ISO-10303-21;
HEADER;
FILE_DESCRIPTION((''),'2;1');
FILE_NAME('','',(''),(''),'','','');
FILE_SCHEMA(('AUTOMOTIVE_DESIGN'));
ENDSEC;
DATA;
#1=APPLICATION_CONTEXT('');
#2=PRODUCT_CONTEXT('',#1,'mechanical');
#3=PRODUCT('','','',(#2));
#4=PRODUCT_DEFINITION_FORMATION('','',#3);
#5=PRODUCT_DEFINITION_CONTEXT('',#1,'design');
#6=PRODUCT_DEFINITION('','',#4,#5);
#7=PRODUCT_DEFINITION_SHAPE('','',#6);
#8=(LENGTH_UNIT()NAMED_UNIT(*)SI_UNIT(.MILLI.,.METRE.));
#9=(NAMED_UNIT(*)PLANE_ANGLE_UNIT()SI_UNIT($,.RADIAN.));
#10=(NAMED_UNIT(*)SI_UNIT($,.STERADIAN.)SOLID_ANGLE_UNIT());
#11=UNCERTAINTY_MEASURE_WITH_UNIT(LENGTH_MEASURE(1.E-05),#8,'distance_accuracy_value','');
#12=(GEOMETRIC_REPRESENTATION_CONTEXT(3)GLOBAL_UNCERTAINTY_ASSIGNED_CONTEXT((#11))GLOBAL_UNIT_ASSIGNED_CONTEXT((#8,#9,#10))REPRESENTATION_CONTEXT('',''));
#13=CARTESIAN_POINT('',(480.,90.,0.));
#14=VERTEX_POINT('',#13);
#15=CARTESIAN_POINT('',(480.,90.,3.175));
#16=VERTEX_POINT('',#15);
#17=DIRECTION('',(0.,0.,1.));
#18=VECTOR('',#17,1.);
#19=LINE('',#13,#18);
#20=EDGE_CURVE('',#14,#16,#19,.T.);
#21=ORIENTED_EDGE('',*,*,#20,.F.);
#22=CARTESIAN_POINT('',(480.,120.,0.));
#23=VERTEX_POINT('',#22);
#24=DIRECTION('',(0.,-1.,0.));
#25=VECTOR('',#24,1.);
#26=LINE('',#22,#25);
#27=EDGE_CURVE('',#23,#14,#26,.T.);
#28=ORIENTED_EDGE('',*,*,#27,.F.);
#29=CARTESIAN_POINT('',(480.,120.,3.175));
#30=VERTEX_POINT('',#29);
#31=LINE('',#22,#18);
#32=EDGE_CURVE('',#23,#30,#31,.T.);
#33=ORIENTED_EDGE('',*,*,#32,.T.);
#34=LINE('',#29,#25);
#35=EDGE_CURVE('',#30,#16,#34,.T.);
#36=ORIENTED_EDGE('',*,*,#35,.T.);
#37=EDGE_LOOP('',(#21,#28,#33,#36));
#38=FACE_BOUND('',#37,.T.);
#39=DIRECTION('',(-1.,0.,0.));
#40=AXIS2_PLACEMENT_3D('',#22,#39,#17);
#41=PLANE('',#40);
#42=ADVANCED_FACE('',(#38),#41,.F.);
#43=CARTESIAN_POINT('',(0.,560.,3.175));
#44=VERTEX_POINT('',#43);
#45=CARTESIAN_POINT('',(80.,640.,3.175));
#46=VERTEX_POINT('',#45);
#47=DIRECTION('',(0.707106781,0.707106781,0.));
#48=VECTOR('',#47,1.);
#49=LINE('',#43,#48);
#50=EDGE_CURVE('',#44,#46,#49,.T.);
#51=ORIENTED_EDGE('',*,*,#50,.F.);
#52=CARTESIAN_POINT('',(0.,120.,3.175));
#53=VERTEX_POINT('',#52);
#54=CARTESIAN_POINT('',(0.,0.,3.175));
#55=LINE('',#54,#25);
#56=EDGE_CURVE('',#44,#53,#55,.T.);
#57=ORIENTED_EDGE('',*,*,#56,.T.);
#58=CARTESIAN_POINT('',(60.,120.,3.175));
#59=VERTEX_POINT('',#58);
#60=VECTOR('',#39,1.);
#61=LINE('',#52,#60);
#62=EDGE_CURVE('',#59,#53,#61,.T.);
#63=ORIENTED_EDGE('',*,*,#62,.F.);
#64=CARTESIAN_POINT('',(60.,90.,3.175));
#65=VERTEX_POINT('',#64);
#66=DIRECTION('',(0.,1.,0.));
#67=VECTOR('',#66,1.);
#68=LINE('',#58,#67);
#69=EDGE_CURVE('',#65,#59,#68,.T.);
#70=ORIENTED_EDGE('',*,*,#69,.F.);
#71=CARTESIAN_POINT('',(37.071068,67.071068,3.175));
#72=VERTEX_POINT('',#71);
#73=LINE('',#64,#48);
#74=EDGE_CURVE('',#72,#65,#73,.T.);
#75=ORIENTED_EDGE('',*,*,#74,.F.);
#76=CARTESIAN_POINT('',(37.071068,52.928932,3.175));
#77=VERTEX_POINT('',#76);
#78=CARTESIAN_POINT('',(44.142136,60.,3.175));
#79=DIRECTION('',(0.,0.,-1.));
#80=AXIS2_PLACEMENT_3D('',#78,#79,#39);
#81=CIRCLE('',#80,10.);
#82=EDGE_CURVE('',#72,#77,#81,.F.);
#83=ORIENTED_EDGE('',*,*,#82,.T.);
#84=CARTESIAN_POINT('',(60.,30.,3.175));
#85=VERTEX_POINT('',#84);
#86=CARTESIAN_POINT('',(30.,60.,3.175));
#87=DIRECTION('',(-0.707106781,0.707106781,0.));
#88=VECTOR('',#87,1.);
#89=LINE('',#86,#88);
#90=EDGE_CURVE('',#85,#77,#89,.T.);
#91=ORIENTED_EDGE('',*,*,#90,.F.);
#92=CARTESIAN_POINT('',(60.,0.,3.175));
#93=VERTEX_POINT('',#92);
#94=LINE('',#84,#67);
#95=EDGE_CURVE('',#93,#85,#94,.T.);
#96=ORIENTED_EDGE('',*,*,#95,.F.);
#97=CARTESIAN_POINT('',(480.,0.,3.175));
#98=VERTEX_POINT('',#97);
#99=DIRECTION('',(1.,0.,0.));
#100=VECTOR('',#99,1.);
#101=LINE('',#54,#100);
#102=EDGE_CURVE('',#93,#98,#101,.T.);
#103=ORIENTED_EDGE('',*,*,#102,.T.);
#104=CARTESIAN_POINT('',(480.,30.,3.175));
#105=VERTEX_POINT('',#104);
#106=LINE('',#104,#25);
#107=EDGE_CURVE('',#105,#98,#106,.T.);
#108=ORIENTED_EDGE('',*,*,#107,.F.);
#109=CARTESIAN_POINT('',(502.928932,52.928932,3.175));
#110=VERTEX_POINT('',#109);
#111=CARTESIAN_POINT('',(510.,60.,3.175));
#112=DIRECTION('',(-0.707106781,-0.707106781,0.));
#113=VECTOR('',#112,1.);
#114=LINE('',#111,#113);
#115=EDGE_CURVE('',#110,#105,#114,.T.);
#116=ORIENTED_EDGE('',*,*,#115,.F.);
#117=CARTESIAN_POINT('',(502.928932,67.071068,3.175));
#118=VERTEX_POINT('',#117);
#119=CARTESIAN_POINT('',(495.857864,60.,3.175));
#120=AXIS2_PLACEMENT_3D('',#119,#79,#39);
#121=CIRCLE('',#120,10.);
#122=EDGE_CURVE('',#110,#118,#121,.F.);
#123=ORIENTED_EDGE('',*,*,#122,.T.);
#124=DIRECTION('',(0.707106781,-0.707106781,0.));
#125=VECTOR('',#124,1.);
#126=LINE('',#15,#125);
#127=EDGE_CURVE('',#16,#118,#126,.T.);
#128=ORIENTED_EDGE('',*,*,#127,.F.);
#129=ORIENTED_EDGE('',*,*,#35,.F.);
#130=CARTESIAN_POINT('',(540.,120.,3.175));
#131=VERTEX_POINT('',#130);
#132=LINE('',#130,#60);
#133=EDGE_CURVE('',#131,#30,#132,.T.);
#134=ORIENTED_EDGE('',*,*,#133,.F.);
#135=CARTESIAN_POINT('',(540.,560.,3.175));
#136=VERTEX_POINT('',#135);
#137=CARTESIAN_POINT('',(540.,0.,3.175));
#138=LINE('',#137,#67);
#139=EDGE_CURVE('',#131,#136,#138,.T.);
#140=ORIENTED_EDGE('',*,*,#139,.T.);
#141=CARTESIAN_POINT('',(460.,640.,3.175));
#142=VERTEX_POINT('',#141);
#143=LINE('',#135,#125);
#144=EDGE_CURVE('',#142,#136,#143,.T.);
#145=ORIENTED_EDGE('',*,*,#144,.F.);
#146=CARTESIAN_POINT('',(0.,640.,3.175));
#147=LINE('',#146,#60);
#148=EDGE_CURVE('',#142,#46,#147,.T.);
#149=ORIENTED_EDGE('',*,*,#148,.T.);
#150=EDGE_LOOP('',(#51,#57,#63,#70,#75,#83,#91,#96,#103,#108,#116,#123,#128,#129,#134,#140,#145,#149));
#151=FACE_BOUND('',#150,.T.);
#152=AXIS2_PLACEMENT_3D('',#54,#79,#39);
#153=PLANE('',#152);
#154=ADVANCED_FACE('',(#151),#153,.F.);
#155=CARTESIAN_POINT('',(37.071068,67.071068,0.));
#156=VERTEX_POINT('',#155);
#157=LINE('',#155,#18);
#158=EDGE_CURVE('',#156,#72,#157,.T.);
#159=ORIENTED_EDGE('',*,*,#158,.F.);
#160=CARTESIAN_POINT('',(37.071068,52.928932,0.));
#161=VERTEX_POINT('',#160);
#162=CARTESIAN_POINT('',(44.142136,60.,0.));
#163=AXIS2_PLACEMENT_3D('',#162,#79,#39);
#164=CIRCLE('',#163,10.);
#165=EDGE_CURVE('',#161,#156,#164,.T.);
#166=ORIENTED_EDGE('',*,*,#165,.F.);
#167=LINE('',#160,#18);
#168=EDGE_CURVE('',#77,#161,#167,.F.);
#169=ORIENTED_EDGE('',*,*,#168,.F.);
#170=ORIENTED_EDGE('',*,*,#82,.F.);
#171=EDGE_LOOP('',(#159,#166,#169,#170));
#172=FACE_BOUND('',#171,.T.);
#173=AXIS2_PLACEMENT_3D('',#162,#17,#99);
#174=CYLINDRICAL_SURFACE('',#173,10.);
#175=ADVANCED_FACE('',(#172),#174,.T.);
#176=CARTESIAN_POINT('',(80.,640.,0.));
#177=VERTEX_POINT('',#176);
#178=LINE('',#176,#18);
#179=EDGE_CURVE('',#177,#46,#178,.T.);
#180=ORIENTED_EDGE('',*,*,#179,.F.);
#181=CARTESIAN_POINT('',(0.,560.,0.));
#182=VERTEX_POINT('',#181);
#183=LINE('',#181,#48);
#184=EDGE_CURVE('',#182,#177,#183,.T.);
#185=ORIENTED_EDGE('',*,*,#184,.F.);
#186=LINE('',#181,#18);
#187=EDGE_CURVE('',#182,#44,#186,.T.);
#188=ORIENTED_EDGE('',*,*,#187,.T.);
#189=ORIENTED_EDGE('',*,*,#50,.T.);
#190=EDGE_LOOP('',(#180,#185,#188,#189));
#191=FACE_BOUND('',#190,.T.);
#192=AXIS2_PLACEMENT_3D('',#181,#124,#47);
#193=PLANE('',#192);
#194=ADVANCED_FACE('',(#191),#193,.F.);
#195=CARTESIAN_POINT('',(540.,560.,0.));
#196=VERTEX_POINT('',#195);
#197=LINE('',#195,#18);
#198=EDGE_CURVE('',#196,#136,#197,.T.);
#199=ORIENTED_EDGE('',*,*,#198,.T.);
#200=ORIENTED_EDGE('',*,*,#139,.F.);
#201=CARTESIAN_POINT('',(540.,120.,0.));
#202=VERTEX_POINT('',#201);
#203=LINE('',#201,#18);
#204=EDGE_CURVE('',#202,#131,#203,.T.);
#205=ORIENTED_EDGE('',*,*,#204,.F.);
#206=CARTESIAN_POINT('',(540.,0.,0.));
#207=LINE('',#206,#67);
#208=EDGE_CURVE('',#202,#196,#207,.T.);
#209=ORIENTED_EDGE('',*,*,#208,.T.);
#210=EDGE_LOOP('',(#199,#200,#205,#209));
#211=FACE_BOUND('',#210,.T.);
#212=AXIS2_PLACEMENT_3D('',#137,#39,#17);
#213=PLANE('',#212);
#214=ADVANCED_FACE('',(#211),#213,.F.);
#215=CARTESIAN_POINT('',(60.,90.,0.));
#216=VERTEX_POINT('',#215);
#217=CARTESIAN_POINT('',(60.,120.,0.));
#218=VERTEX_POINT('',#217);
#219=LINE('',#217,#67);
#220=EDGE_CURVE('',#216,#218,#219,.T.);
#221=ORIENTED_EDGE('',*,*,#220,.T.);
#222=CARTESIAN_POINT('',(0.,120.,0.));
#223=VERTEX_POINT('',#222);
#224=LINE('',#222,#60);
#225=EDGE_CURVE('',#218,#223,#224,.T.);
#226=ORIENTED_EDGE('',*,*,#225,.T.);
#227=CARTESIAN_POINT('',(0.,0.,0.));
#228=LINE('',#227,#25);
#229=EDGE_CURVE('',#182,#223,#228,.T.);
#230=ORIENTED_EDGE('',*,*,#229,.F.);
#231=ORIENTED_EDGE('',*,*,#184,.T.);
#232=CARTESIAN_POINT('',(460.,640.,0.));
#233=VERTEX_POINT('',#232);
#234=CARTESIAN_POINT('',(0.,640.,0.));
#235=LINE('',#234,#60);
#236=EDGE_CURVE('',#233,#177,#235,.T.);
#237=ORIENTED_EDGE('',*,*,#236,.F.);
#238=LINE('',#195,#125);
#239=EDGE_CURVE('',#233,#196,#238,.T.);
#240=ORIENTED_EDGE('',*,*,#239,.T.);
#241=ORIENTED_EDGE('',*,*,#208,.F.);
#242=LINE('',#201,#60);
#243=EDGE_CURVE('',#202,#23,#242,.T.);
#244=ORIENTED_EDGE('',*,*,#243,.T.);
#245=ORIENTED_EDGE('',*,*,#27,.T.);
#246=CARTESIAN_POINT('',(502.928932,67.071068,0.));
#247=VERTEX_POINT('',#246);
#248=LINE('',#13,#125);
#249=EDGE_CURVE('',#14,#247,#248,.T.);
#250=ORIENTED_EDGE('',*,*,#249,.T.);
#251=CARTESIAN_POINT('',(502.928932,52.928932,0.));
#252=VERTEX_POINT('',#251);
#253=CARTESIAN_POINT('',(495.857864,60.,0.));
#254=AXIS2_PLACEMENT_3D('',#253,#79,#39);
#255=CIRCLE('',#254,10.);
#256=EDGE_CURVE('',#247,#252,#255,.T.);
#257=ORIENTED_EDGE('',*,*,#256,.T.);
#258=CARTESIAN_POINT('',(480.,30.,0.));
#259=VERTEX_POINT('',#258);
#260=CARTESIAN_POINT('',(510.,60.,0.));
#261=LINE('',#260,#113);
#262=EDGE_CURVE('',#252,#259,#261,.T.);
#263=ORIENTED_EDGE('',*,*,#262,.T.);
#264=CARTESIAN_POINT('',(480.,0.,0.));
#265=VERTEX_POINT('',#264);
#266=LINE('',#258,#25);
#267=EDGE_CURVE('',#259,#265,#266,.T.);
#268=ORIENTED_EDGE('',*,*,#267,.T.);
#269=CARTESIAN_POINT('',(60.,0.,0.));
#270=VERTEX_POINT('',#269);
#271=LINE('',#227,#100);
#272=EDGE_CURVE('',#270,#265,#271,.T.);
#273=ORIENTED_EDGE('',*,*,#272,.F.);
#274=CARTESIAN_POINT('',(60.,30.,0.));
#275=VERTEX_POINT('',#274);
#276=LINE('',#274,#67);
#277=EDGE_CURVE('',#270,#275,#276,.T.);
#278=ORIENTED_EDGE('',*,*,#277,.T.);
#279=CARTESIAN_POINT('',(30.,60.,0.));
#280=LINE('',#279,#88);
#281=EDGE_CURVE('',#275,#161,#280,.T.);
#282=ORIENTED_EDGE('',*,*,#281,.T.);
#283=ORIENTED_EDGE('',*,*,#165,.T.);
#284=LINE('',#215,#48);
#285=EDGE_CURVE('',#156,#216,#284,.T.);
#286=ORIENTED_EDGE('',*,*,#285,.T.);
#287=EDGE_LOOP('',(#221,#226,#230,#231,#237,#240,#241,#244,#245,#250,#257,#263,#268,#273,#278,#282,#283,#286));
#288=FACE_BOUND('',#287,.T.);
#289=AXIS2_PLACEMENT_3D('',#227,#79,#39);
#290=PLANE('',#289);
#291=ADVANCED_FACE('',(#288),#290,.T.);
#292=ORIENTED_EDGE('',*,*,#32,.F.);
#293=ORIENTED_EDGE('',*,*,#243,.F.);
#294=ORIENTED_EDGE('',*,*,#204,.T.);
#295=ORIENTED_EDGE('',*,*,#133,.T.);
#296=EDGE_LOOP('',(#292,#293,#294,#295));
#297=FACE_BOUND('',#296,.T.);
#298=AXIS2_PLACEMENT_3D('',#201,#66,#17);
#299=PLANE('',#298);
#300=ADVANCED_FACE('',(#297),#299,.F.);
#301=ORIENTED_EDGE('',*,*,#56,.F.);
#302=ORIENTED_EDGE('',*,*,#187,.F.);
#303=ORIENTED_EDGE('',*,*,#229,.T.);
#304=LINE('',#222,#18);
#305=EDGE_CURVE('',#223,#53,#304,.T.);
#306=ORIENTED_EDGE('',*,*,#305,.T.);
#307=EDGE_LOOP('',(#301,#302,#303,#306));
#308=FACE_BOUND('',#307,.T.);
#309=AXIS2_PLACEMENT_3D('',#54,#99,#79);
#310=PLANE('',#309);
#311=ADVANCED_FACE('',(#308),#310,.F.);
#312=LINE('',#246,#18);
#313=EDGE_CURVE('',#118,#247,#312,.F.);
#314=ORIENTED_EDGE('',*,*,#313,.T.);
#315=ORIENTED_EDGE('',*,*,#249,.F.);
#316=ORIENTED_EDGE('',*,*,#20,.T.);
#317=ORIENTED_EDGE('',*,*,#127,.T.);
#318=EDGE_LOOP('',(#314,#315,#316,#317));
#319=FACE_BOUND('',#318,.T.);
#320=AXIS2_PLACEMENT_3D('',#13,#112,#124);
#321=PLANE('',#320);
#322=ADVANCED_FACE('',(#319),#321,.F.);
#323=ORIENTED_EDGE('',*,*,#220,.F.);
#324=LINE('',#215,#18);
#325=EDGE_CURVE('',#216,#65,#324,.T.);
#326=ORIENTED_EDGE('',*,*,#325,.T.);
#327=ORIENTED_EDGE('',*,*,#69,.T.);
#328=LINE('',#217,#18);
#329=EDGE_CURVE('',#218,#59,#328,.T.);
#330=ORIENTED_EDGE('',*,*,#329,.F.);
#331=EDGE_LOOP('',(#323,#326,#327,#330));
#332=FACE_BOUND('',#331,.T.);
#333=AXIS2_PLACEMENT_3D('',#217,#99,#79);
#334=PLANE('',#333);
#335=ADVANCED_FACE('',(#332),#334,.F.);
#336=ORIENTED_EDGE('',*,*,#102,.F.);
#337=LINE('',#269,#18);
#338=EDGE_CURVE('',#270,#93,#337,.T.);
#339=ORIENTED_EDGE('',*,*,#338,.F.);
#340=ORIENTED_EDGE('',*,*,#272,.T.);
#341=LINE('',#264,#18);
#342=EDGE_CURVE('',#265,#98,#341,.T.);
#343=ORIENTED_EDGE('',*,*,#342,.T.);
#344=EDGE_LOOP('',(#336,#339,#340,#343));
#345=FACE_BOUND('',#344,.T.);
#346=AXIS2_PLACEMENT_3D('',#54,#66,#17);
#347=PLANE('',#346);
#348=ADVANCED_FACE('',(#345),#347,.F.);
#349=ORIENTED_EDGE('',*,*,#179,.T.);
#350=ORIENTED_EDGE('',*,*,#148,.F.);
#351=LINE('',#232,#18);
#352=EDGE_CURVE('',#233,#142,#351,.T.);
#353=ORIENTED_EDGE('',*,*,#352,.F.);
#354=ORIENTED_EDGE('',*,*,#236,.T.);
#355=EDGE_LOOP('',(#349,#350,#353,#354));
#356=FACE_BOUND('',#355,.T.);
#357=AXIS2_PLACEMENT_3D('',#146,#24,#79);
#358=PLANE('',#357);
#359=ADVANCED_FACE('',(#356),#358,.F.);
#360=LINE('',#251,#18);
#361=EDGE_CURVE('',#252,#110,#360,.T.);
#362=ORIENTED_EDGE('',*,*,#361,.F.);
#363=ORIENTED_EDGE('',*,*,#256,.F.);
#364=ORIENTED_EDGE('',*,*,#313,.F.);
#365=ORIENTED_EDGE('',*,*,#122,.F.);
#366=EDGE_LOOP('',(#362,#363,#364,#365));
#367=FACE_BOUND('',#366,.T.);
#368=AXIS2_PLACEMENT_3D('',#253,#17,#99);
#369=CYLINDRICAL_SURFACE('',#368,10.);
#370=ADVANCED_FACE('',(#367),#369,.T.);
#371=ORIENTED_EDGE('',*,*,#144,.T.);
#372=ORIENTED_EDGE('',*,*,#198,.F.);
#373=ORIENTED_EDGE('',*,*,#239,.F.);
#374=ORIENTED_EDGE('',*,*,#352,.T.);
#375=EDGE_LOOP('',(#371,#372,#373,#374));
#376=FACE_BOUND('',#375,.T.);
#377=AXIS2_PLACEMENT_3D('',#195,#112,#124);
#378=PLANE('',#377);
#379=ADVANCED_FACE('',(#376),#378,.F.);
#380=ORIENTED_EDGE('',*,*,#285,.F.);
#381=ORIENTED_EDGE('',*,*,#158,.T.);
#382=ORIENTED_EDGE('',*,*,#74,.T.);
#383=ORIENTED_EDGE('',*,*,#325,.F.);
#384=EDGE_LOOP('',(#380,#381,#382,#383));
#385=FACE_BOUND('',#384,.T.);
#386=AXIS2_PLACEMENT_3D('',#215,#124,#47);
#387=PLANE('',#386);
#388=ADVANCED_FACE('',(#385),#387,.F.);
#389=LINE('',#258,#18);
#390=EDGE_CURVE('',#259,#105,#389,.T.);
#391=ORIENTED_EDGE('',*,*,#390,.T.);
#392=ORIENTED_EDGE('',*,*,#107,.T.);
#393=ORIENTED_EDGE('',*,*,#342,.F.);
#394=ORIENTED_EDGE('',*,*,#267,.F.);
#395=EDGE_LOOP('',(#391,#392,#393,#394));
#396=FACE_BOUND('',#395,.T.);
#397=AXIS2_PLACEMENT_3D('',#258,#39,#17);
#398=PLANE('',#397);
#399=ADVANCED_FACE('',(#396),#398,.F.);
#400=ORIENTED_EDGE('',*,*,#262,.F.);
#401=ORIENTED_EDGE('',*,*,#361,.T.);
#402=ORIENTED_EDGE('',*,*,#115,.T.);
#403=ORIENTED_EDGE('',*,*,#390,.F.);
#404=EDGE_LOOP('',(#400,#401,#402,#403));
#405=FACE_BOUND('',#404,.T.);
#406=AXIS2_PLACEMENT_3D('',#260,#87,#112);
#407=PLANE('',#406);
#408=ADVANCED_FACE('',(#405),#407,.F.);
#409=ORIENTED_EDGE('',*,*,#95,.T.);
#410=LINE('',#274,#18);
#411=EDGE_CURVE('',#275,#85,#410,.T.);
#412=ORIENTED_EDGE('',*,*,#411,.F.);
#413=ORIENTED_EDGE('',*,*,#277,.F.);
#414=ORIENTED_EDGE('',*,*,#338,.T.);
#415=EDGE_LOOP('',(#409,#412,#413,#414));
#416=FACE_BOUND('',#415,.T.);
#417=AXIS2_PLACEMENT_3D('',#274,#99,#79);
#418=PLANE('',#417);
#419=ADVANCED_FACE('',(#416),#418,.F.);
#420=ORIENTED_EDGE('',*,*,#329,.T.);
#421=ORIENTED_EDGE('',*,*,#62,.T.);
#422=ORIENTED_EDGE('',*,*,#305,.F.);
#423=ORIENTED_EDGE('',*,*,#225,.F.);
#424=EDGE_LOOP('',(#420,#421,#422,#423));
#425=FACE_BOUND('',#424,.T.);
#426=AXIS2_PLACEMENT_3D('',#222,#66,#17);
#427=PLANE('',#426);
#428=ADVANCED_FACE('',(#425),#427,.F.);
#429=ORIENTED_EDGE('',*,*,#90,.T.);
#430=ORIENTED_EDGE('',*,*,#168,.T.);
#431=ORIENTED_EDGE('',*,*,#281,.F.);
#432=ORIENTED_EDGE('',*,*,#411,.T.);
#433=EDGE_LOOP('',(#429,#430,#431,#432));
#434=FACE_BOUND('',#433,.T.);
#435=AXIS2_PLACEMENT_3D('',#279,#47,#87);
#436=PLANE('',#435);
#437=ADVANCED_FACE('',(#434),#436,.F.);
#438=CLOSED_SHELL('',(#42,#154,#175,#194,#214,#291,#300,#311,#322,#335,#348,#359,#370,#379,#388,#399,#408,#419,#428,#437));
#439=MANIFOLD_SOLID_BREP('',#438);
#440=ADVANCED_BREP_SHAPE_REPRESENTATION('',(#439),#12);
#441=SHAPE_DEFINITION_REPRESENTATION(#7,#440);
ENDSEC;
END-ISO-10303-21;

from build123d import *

# Parameters (mm, degrees)
SKETCH2_W           = 540
SKETCH2_H           = 640
BOSS_EXTRUDE1_DEPTH = 3.175
CUT_EXTRUDE1_DEPTH  = 838.382875765
FILLET1_R           = 10


with BuildPart() as part:
    # Sketch2 → Boss-Extrude1 (new body)
    with BuildSketch(Plane.XY):
        with Locations((270, 320)):
            Rectangle(SKETCH2_W, SKETCH2_H)
    extrude(amount=BOSS_EXTRUDE1_DEPTH)

    # Sketch3 → Cut-Extrude1 (cut, through all)
    with BuildSketch(Plane.XY.offset(3.175)):
        Polygon((0, 640), (0, 560), (80, 640), align=None)
        Polygon((540, 560), (460, 640), (540, 640), align=None)
        Polygon((0, 120), (60, 120), (60, 90), (30, 60), (60, 30), (60, 0), (0, 0), align=None)
        Polygon((540, 0), (540, 120), (480, 120), (480, 90), (510, 60), (480, 30), (480, 0), align=None)
    extrude(amount=-CUT_EXTRUDE1_DEPTH, mode=Mode.SUBTRACT)

    # Fillet1
    fillet1_edges = [part.edges().sort_by_distance(p)[0] for p in [
        (30, 60, 1.5875),
        (510, 60, 1.5875),
    ]]
    fillet(fillet1_edges, radius=FILLET1_R)


solid = part.part
